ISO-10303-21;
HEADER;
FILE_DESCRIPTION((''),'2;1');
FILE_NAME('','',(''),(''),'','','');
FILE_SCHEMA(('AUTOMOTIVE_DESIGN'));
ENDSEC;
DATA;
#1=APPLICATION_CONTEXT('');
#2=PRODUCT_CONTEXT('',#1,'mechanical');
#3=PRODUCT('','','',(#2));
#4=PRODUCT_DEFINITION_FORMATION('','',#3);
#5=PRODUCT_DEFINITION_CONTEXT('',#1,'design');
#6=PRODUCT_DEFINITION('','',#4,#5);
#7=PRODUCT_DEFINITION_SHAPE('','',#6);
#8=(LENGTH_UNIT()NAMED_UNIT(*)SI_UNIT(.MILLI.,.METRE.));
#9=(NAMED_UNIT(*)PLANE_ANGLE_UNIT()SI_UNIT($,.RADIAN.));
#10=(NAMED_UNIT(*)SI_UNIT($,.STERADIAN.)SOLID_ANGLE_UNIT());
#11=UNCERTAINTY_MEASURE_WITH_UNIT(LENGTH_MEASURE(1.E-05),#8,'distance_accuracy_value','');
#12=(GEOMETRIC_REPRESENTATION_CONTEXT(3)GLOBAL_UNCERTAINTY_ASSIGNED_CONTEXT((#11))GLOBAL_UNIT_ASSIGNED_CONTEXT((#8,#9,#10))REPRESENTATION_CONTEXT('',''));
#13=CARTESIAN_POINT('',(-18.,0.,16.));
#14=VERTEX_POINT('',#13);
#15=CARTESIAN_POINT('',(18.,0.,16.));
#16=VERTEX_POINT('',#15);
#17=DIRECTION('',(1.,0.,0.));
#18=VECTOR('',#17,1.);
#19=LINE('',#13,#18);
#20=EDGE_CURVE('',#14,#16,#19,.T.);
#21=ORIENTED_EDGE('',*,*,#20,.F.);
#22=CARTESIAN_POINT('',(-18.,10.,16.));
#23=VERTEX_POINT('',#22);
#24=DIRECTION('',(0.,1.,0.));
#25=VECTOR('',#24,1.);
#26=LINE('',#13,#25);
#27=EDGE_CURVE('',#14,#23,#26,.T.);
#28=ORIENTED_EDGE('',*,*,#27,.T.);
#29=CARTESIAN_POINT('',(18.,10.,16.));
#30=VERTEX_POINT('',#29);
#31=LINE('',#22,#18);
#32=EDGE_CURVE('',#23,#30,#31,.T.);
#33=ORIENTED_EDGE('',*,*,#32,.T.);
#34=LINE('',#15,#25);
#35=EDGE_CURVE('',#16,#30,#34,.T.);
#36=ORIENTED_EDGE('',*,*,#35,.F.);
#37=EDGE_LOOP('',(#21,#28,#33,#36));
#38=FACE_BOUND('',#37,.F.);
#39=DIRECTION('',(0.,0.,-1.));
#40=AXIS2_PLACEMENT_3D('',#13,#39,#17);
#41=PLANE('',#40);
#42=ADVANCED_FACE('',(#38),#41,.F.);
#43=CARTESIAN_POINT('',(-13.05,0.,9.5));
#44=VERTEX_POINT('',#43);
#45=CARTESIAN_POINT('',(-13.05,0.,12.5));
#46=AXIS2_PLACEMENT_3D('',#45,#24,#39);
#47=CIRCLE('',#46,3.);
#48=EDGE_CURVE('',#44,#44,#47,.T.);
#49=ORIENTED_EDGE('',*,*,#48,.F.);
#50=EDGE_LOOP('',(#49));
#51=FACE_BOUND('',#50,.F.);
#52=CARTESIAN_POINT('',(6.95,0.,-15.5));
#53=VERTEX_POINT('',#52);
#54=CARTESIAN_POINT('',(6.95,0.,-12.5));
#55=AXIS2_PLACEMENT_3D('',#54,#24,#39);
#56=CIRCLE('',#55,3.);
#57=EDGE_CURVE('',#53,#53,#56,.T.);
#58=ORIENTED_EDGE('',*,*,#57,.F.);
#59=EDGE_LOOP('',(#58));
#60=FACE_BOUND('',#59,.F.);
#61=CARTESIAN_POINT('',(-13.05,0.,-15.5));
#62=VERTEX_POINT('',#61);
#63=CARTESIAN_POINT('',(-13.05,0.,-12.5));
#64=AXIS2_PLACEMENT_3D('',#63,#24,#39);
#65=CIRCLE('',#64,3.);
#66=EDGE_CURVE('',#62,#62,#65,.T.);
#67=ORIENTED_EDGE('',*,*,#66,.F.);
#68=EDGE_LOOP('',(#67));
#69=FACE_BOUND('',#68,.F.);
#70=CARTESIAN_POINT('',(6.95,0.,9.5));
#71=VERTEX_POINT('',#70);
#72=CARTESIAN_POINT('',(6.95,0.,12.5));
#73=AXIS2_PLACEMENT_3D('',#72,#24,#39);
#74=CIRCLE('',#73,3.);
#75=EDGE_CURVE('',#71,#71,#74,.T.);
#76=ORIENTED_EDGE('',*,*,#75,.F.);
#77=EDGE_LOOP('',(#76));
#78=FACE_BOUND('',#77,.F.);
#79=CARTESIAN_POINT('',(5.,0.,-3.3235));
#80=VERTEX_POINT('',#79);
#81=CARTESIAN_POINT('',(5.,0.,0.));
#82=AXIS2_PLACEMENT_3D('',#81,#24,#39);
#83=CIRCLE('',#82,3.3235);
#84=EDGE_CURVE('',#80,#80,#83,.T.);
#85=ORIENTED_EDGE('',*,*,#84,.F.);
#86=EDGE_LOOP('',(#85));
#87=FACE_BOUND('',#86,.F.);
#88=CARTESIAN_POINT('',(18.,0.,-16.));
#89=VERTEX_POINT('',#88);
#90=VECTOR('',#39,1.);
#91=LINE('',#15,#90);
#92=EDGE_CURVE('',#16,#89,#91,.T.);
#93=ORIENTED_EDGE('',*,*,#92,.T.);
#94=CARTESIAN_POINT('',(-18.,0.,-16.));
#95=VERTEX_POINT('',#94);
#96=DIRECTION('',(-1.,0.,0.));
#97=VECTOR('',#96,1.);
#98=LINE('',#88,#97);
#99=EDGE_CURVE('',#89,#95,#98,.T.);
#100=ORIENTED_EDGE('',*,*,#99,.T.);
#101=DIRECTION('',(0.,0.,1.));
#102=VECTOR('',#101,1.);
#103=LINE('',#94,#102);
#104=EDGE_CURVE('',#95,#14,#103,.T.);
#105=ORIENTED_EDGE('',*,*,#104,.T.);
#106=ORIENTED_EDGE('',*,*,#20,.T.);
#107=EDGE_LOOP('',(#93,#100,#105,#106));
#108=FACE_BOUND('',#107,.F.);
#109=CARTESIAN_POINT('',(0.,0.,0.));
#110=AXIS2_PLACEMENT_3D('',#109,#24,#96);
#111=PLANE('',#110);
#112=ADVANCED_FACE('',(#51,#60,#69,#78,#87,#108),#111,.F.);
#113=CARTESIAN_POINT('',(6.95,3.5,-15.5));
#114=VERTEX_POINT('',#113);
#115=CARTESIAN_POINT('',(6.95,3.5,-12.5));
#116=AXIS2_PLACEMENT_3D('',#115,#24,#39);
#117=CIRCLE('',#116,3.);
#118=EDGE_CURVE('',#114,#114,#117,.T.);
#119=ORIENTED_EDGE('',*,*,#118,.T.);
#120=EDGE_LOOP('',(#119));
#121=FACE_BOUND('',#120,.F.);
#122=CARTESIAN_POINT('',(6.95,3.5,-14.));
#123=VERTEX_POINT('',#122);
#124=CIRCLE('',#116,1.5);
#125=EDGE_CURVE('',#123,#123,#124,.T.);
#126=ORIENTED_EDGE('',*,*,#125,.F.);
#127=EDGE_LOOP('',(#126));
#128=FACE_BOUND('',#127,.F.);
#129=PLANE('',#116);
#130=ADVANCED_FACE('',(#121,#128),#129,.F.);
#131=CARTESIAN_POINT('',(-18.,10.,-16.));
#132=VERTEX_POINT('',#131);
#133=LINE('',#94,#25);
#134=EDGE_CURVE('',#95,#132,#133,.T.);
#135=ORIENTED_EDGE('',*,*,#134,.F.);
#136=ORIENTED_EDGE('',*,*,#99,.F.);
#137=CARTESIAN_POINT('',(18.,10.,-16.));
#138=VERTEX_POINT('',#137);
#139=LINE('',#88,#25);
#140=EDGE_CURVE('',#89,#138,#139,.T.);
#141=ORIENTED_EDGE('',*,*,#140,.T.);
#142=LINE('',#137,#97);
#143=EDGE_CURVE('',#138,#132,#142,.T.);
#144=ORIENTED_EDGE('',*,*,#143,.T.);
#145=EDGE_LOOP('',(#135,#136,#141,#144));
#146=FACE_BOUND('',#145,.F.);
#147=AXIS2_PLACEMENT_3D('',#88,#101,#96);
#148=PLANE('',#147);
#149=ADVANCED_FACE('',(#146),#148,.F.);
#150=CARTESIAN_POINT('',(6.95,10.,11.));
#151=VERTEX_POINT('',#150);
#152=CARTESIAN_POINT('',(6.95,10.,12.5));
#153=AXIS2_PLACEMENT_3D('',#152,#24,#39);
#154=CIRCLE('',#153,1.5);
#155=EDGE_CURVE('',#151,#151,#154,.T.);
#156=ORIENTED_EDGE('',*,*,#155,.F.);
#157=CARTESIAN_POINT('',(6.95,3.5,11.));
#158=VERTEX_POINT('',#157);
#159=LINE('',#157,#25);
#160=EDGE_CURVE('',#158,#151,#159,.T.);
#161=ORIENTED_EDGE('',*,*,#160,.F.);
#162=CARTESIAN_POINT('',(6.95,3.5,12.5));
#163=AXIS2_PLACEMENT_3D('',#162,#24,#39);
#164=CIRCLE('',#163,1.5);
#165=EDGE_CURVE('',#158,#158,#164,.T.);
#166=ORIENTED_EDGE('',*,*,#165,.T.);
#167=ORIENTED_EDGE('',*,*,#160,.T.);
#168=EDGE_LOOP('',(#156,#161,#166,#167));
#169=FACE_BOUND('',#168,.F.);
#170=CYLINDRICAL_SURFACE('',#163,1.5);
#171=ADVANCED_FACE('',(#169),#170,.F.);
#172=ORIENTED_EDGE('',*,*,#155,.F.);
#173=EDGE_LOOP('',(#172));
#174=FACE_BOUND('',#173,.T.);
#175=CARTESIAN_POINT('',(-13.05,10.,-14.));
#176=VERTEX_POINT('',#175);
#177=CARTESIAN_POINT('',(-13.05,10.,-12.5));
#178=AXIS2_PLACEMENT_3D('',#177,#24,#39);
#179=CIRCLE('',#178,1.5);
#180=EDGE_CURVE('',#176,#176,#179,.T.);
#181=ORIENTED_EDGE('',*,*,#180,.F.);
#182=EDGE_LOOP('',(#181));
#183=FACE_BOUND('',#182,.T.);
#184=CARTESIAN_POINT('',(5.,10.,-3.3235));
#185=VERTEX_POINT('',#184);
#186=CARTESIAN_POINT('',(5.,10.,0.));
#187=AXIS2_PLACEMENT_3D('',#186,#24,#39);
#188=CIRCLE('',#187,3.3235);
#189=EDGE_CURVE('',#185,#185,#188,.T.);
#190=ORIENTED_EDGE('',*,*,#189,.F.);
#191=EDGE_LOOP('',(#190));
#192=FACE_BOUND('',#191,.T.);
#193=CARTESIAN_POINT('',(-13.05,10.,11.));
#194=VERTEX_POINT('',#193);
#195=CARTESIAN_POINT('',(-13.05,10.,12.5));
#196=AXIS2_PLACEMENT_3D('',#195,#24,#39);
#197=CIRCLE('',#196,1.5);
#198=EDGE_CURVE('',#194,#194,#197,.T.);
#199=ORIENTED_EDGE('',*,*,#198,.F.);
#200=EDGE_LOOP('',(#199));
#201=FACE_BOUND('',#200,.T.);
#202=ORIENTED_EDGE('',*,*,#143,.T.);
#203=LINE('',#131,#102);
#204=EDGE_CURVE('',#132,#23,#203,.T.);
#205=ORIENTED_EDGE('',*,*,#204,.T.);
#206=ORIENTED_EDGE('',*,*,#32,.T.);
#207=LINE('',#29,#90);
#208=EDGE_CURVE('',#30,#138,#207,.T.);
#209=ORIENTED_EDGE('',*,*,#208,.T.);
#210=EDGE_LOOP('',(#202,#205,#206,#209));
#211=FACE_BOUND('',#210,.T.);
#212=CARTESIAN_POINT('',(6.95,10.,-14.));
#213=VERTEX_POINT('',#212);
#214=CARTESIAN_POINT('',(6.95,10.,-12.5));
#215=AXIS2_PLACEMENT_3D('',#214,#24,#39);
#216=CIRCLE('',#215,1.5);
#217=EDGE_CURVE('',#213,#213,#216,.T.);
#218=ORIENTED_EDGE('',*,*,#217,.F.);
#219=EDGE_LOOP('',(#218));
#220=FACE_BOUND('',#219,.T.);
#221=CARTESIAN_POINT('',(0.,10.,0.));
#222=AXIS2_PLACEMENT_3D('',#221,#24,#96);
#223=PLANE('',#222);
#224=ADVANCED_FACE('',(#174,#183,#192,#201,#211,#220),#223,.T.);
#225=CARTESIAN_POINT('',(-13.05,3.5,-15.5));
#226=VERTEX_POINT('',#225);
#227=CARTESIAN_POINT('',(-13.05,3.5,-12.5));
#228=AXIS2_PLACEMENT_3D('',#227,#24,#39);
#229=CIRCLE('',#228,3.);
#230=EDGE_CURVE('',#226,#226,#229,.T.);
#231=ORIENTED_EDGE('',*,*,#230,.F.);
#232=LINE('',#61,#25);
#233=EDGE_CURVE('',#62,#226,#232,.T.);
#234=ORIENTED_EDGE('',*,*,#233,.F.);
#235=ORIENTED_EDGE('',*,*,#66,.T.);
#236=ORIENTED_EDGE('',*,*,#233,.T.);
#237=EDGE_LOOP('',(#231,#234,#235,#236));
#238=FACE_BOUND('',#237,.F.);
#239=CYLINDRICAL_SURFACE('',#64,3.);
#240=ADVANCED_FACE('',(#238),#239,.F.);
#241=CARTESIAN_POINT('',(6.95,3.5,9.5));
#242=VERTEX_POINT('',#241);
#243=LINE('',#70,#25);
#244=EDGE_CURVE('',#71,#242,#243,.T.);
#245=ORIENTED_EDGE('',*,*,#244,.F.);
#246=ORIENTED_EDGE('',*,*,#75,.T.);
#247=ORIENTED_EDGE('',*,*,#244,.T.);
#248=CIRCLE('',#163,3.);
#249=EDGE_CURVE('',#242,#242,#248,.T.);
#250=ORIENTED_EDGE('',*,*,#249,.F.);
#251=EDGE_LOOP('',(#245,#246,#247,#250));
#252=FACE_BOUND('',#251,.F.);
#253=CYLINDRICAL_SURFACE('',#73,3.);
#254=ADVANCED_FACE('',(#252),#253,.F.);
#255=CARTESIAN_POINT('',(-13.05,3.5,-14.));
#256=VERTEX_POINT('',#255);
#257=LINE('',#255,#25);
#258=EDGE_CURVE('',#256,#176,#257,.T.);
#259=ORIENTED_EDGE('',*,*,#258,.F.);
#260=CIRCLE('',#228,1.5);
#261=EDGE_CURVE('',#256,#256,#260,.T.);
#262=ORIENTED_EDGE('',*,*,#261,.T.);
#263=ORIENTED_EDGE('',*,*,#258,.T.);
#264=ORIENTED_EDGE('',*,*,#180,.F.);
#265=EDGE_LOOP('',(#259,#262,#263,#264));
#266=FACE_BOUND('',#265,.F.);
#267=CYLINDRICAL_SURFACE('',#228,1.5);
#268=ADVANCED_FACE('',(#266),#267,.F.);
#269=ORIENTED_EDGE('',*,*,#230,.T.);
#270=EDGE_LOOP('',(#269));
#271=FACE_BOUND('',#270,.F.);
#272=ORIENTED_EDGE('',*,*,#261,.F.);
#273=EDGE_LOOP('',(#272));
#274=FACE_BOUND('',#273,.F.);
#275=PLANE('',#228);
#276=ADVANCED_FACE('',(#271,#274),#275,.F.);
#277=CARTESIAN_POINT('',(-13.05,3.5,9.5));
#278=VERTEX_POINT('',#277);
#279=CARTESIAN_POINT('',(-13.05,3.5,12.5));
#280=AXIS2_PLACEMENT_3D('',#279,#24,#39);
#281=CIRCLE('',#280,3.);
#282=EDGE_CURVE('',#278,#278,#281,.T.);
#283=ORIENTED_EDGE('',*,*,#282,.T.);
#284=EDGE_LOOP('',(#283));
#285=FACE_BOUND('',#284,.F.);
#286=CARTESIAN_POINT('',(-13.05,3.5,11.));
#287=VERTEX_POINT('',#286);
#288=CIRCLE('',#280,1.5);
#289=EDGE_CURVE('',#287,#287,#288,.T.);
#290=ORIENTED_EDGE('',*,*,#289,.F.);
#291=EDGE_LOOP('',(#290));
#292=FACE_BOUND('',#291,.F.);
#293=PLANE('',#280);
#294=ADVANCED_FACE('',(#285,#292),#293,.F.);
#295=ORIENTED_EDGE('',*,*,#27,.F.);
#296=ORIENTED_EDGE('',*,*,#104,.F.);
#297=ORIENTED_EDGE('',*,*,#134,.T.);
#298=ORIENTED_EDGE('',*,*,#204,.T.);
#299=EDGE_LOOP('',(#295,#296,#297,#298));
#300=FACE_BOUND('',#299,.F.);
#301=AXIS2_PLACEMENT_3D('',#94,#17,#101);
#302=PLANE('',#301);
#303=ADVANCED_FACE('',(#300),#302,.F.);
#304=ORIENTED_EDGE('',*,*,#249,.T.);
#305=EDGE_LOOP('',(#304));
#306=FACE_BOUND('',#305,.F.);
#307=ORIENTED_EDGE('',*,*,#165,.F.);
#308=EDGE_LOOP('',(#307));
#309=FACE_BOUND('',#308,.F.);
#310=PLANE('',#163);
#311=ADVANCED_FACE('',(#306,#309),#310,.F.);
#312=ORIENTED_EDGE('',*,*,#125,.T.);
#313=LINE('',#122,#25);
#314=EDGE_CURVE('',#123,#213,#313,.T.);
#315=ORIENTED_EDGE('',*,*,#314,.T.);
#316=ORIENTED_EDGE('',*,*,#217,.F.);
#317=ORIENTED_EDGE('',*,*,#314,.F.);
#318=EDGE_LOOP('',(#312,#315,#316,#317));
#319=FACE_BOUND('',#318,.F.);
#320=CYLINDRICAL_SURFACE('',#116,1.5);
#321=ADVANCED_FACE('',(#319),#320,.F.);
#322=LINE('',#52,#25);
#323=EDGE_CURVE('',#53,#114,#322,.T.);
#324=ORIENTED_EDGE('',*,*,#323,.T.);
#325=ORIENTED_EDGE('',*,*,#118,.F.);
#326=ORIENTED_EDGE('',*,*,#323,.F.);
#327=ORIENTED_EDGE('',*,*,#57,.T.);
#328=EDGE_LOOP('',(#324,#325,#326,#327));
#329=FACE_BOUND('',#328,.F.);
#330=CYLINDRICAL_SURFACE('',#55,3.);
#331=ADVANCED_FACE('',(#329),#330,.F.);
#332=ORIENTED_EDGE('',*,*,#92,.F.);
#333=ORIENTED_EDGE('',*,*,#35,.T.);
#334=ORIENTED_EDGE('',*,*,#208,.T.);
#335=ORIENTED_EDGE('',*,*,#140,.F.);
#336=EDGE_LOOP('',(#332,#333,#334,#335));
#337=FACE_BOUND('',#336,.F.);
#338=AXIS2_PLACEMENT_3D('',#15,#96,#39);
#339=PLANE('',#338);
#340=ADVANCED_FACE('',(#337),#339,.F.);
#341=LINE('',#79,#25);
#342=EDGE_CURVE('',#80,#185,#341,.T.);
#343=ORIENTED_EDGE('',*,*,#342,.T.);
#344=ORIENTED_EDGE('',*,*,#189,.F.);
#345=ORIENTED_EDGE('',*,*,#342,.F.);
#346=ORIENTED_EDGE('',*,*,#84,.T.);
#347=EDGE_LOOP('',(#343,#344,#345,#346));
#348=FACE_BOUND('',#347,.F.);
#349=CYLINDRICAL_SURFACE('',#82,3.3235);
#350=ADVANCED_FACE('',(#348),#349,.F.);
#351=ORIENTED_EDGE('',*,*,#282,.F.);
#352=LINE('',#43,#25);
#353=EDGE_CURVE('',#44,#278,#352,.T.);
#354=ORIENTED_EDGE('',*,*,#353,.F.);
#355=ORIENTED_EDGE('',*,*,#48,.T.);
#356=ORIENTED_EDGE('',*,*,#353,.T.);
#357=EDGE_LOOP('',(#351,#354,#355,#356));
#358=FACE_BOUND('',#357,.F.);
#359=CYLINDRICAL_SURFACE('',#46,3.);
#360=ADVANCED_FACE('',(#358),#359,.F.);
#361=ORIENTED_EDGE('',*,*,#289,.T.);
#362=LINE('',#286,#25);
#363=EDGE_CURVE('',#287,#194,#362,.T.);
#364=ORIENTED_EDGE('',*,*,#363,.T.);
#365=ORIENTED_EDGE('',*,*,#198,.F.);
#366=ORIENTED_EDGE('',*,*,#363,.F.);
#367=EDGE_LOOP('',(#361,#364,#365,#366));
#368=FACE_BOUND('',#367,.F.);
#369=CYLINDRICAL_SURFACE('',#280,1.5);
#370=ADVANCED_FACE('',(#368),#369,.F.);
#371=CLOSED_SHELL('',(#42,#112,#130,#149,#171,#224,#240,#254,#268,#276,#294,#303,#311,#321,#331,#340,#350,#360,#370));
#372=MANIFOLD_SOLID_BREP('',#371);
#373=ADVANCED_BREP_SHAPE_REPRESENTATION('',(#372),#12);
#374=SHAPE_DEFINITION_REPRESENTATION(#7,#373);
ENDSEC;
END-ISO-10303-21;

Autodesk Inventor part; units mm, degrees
ref_plane "YZ Plane" through (0, 0, 0) normal (1, 0, 0) x (0, 1, 0)
ref_plane "XZ Plane" through (0, 0, 0) normal (0, 1, 0) x (-1, 0, 0)
ref_plane "XY Plane" through (0, 0, 0) normal (0, 0, 1) x (1, 0, 0)
sketch "Sketch1" plane through (0, 0, 0) normal (0, 1, 0) x (-1, 0, 0)
  line L0 (18, 16) -> (-18, 16)
  line L1 (-18, 16) -> (-18, -16)
  line L2 (-18, -16) -> (18, -16)
  line L3 (18, -16) -> (18, 16)
  line L4 (18, 16) -> (-18, -16) construction
  line L5 (-18, 16) -> (18, -16) construction
  point P0 (0, 0)
  dimension "d0" = 36
  dimension "d1" = 32
extrude "Extrusion1" add sketch "Sketch1" along normal blind 10
sketch "Sketch2" plane through (0, 0, 0) normal (0, -1, 0) x (1, 0, 0)
  circle A0 centre (6.95, 12.5) radius 1.2295 projected
  circle A1 centre (6.95, -12.5) radius 1.2295 projected
  circle A2 centre (-13.05, -12.5) radius 1.2295 projected
  circle A3 centre (-13.05, 12.5) radius 1.2295 projected
  line L0 (-24.1, 15) -> (18, 15) projected
  line L1 (-24.1, -15) -> (-24.1, 15) projected
  line L2 (18, -15) -> (-24.1, -15) projected
  line L3 (18, 15) -> (18, -15) projected
  point P0 (0, 0)
hole "Hole1" at (6.95, 0, -12.5) at (-13.05, 0, -12.5) at (6.95, 0, 12.5) at (-13.05, 0, 12.5) direction (0, 1, 0) diameter 3 end through all counterbore diameter 6 counterbore depth 3.5
sketch "Sketch3" plane through (0, 0, 0) normal (0, -1, 0) x (1, 0, 0)
  circle A0 centre (-13.05, 12.5) radius 3 projected
  circle A1 centre (6.95, 12.5) radius 3 projected
  circle A2 centre (-13.05, -12.5) radius 3 projected
  circle A3 centre (6.95, -12.5) radius 3 projected
  line L0 (18, 16) -> (18, -16) projected
  line L1 (-18, 16) -> (18, 16) projected
  line L2 (-18, -16) -> (-18, 16) projected
  line L3 (18, -16) -> (-18, -16) projected
  point P0 (0, 0)
  point P1 (5, 0)
  dimension "d11" = 5
hole "Hole2" at (5, 0, 0) direction (0, 1, 0) diameter 6.647 end through all thread size "M8x1.25" class "6H" standard "ISO Metric profile"
properties part number "LM Cart Braket" material "Aluminum 6061-AHC"
